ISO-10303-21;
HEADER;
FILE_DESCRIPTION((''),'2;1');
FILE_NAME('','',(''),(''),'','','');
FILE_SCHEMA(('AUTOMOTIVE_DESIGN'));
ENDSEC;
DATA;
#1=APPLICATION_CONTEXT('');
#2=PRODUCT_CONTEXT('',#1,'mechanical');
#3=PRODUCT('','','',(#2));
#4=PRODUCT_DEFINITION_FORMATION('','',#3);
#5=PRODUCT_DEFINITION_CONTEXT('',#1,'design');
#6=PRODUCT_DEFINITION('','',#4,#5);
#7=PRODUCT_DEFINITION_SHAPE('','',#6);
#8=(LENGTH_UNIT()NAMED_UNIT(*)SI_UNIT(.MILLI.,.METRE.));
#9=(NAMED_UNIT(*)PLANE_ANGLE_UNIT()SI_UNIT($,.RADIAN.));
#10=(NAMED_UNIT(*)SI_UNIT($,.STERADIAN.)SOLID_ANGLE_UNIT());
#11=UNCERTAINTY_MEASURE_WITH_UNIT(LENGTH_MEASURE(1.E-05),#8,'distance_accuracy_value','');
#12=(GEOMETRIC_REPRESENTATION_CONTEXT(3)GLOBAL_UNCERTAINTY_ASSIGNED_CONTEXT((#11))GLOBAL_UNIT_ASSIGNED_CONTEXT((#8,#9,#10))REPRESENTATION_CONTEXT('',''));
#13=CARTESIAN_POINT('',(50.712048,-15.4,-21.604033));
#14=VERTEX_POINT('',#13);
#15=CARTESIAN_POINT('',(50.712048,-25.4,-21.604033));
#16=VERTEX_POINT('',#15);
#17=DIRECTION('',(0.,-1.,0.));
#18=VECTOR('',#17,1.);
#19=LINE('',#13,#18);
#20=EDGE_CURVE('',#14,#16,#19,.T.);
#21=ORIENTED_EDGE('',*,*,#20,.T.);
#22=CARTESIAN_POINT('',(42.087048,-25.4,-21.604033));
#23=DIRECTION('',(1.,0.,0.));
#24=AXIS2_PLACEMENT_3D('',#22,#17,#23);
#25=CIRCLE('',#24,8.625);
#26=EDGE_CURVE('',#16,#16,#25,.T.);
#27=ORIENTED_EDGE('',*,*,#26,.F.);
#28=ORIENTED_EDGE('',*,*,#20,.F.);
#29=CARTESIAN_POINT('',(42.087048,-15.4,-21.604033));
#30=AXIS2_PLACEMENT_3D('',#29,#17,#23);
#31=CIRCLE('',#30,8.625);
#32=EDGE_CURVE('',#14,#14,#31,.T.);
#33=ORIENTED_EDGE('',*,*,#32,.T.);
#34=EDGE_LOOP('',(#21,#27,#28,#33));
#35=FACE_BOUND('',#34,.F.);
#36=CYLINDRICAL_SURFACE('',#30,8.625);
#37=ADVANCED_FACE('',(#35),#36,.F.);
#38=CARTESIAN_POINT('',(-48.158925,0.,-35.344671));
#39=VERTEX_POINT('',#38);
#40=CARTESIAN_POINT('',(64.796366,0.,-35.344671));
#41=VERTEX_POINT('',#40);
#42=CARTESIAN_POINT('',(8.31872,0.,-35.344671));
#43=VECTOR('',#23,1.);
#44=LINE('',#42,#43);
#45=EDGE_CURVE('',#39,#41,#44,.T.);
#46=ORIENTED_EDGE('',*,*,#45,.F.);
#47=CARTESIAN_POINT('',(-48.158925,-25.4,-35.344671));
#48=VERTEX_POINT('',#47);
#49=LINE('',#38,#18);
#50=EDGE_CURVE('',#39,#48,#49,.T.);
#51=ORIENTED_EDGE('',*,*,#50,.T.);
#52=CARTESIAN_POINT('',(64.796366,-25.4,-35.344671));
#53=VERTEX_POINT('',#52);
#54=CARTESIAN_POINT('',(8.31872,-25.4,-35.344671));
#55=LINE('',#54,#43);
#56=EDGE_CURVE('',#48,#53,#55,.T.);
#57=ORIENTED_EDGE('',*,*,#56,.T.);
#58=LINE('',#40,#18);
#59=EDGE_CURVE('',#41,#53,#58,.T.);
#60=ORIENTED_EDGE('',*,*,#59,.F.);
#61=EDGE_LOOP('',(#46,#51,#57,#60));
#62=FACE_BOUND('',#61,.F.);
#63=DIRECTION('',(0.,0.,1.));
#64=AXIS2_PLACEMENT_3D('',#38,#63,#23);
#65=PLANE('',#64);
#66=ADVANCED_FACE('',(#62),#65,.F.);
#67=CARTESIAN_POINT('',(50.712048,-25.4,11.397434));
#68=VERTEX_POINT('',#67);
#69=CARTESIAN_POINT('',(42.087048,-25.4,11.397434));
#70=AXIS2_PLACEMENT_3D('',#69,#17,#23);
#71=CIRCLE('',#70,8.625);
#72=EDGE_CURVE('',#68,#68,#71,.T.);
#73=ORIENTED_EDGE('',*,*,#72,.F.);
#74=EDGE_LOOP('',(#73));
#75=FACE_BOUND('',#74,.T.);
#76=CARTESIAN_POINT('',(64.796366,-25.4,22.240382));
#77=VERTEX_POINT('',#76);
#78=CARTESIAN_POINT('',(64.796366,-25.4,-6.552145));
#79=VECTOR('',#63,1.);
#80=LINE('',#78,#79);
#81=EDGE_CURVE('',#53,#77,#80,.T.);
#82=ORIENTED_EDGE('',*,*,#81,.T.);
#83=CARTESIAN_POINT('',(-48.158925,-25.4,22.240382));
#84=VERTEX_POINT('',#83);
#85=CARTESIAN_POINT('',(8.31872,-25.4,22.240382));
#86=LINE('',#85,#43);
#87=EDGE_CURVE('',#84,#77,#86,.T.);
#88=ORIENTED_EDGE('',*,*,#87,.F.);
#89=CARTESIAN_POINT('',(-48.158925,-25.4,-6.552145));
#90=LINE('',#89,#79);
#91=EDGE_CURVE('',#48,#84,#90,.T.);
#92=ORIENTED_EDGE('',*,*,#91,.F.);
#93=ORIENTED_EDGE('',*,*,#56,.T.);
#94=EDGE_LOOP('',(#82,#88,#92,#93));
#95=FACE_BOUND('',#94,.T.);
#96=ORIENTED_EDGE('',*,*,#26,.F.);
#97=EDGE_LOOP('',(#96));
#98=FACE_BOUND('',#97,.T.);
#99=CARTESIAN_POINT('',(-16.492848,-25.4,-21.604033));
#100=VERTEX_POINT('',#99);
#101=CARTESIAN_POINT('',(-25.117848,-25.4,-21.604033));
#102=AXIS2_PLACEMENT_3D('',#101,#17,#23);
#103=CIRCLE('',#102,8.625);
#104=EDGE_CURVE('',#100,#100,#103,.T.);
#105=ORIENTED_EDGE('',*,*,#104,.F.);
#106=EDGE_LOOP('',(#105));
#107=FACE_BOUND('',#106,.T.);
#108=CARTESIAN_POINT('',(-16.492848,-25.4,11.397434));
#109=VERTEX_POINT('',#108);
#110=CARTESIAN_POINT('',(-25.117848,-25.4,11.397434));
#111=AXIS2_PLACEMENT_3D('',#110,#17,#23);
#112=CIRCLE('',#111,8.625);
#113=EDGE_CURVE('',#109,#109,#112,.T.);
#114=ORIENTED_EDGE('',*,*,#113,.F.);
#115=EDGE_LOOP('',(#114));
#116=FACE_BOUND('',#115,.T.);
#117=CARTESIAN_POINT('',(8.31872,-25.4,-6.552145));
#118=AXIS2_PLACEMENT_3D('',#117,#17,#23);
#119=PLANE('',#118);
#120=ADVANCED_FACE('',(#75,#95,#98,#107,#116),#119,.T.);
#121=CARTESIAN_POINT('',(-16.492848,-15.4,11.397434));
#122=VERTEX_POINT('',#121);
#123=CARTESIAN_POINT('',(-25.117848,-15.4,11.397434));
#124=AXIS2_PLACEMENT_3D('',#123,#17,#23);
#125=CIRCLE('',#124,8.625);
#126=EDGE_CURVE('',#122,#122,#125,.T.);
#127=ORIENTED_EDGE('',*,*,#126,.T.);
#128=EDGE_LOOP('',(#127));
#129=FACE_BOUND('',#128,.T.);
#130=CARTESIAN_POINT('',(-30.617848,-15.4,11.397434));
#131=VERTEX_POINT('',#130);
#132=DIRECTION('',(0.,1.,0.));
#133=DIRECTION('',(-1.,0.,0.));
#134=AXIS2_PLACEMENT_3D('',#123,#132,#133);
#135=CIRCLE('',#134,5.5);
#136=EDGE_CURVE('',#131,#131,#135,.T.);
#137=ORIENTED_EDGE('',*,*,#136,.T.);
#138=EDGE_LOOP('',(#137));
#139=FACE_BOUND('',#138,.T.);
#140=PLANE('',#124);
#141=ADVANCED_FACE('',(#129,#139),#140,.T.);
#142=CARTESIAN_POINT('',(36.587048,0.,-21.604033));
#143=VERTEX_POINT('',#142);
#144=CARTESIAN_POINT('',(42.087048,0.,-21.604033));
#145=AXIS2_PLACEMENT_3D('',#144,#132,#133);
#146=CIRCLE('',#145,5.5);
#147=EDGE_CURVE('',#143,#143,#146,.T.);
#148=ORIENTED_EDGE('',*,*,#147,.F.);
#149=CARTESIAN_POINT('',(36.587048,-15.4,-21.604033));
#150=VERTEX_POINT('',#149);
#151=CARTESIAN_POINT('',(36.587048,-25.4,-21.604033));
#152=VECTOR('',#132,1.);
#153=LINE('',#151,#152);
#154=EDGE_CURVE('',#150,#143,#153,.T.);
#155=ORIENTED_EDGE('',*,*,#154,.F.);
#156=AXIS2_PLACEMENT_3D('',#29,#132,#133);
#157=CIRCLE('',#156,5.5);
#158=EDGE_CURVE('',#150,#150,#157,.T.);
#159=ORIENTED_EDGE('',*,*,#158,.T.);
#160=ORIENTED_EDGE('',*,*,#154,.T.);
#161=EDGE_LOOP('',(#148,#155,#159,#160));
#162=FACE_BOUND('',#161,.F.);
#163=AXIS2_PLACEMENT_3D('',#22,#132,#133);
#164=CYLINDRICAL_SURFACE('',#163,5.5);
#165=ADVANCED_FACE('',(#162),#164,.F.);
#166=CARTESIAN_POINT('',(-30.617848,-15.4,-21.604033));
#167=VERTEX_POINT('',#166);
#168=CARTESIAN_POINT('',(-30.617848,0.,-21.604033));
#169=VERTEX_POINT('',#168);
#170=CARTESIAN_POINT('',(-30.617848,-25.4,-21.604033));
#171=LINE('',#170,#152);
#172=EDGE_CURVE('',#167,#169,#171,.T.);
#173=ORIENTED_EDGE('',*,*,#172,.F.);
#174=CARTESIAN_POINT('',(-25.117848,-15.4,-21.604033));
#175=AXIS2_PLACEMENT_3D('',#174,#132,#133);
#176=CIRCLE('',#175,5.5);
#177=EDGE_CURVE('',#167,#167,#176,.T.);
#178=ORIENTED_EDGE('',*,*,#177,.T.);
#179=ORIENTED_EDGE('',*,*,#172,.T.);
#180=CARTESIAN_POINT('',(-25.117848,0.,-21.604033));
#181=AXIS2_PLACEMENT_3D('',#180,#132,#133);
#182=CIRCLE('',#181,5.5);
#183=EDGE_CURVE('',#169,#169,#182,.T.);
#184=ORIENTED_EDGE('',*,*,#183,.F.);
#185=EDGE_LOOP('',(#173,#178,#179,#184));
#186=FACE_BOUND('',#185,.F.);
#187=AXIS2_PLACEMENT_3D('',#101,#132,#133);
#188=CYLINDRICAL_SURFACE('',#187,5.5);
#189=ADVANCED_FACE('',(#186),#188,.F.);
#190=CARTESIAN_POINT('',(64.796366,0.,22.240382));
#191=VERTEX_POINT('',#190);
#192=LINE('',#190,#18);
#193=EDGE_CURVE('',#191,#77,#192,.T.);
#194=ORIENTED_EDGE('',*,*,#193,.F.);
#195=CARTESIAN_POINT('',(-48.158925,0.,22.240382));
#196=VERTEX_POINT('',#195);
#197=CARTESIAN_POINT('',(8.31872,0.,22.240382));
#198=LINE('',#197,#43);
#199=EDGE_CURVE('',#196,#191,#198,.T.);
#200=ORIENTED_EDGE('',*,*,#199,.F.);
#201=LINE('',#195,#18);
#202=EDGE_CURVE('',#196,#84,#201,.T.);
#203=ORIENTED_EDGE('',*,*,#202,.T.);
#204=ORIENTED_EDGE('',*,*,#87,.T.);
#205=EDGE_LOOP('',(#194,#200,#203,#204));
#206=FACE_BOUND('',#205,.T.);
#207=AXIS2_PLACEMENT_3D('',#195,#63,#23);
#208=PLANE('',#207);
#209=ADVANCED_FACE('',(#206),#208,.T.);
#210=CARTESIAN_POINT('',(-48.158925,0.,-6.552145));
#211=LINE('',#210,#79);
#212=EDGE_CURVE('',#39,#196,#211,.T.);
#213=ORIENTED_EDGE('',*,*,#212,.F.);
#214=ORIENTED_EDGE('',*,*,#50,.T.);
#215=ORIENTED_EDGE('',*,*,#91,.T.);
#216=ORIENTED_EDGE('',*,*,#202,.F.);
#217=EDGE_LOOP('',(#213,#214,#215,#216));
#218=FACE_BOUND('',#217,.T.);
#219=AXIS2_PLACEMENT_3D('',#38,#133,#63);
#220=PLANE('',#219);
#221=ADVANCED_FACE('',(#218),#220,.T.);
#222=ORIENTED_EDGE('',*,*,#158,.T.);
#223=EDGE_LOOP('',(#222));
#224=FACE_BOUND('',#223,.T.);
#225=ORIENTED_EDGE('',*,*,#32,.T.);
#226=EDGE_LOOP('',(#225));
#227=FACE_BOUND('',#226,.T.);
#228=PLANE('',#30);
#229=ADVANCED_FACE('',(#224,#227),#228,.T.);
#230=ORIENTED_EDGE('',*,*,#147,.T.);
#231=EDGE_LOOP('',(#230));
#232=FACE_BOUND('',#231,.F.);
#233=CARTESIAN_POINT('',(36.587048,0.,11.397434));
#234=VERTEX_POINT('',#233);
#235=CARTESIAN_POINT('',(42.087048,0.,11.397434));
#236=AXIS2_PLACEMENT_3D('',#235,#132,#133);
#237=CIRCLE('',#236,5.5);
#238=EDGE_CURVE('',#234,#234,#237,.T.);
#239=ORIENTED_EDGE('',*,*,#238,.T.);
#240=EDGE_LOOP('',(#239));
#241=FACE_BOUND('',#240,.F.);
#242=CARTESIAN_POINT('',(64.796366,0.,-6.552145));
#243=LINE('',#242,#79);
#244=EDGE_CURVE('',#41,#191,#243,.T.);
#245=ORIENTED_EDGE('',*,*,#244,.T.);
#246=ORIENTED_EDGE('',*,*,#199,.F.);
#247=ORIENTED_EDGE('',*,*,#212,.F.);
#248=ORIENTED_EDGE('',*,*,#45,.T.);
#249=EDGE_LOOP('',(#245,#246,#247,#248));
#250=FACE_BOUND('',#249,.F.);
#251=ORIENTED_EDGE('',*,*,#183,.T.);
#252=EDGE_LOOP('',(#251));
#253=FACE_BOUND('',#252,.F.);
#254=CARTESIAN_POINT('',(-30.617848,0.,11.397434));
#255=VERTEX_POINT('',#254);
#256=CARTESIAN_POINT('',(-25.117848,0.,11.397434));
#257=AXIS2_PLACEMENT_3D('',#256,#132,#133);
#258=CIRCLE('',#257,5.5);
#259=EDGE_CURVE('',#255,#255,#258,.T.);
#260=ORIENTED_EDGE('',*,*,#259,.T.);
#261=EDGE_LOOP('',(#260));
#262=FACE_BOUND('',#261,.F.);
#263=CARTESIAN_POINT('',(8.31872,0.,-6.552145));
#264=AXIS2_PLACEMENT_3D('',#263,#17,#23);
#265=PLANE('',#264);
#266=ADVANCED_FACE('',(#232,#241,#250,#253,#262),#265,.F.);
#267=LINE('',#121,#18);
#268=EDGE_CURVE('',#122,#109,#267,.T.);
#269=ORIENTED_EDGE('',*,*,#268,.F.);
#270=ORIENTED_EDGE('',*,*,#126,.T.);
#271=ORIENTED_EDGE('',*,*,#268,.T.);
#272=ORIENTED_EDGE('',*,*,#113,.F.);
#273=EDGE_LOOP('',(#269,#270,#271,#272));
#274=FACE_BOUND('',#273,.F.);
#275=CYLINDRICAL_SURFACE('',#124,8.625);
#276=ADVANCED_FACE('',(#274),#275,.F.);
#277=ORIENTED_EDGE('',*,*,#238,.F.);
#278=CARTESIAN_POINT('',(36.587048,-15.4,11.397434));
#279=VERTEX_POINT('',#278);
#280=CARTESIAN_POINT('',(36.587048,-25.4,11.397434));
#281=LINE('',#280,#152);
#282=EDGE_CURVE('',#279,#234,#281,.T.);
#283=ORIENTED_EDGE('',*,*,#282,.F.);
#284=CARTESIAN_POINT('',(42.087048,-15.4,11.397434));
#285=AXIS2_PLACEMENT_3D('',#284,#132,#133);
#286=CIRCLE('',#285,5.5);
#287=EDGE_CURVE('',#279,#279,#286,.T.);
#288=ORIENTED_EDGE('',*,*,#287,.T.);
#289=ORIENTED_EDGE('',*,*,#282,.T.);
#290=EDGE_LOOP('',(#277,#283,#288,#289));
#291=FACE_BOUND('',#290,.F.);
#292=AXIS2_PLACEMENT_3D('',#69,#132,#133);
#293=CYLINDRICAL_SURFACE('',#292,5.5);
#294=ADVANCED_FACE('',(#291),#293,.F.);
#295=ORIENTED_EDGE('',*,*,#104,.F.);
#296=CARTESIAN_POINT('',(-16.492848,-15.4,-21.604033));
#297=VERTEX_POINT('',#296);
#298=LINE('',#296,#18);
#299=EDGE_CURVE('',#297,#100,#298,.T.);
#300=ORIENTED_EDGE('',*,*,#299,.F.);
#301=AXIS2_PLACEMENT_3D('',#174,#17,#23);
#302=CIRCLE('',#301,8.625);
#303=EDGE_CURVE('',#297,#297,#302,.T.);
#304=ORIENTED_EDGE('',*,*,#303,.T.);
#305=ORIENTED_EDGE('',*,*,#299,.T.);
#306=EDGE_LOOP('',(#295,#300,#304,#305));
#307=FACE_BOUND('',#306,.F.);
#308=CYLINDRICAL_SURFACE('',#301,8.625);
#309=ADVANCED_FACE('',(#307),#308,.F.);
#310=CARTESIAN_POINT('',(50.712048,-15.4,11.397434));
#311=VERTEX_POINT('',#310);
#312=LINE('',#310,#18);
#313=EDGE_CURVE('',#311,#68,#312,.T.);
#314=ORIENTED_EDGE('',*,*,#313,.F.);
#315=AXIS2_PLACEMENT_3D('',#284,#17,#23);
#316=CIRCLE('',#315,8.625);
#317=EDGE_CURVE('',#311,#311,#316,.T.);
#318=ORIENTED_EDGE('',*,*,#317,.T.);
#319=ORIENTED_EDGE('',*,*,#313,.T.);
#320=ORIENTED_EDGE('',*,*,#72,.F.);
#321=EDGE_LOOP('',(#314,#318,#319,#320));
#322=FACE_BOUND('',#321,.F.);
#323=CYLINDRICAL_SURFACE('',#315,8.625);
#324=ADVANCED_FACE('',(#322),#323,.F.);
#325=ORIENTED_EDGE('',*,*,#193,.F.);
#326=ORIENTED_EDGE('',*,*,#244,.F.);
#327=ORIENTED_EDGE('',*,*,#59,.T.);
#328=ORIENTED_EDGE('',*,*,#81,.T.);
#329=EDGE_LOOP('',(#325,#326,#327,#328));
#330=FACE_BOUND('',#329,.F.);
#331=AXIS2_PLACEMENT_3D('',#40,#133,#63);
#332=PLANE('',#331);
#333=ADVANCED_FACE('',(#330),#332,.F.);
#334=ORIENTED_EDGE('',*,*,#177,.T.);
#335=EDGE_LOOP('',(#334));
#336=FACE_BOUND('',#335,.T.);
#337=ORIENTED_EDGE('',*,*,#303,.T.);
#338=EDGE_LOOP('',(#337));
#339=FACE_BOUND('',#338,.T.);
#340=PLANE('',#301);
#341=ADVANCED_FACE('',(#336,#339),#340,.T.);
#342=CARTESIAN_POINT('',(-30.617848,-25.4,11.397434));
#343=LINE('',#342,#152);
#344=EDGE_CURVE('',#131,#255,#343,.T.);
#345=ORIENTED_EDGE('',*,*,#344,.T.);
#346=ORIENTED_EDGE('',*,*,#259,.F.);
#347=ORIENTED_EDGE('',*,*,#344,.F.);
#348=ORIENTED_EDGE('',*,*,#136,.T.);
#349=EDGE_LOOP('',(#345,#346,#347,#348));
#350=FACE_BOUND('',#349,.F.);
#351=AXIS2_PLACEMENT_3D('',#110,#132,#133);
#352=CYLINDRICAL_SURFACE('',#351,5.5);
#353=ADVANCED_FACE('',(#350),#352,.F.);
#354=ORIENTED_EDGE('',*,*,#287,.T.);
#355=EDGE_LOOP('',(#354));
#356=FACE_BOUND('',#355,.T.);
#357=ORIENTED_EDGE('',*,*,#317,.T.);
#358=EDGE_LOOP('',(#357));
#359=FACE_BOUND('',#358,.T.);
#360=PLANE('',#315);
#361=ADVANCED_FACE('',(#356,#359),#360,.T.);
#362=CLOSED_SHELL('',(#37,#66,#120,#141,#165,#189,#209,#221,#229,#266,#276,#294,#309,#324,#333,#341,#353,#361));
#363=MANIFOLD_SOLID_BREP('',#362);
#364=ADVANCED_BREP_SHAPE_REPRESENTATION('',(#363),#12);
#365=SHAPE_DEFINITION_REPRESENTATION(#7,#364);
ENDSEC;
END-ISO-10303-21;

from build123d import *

# Parameters (mm, degrees)
F0_W           = 112.9552908242
F0_H           = 57.5850531459
F1_DEPTH       = 25.4
F3_D           = 11
F3_CBORE_D     = 17.25
F3_CBORE_DEPTH = 10


with BuildPart() as f1:
    # F0 (on Front) → F1 (new body)
    with BuildSketch(Plane.XZ):
        with Locations((8.3187203854, -6.5521448851)):
            Rectangle(F0_W, F0_H)
    extrude(amount=F1_DEPTH)

    # F3 (through all)
    with Locations(Plane.XZ.offset(25.4)):
        with Locations((-25.1178480685, 11.3974343985), (-25.1178480685, -21.604033187), (42.0870482922, 11.3974343985), (42.0870482922, -21.604033187)):
            CounterBoreHole(F3_D / 2, F3_CBORE_D / 2, F3_CBORE_DEPTH)


solid = f1.part
